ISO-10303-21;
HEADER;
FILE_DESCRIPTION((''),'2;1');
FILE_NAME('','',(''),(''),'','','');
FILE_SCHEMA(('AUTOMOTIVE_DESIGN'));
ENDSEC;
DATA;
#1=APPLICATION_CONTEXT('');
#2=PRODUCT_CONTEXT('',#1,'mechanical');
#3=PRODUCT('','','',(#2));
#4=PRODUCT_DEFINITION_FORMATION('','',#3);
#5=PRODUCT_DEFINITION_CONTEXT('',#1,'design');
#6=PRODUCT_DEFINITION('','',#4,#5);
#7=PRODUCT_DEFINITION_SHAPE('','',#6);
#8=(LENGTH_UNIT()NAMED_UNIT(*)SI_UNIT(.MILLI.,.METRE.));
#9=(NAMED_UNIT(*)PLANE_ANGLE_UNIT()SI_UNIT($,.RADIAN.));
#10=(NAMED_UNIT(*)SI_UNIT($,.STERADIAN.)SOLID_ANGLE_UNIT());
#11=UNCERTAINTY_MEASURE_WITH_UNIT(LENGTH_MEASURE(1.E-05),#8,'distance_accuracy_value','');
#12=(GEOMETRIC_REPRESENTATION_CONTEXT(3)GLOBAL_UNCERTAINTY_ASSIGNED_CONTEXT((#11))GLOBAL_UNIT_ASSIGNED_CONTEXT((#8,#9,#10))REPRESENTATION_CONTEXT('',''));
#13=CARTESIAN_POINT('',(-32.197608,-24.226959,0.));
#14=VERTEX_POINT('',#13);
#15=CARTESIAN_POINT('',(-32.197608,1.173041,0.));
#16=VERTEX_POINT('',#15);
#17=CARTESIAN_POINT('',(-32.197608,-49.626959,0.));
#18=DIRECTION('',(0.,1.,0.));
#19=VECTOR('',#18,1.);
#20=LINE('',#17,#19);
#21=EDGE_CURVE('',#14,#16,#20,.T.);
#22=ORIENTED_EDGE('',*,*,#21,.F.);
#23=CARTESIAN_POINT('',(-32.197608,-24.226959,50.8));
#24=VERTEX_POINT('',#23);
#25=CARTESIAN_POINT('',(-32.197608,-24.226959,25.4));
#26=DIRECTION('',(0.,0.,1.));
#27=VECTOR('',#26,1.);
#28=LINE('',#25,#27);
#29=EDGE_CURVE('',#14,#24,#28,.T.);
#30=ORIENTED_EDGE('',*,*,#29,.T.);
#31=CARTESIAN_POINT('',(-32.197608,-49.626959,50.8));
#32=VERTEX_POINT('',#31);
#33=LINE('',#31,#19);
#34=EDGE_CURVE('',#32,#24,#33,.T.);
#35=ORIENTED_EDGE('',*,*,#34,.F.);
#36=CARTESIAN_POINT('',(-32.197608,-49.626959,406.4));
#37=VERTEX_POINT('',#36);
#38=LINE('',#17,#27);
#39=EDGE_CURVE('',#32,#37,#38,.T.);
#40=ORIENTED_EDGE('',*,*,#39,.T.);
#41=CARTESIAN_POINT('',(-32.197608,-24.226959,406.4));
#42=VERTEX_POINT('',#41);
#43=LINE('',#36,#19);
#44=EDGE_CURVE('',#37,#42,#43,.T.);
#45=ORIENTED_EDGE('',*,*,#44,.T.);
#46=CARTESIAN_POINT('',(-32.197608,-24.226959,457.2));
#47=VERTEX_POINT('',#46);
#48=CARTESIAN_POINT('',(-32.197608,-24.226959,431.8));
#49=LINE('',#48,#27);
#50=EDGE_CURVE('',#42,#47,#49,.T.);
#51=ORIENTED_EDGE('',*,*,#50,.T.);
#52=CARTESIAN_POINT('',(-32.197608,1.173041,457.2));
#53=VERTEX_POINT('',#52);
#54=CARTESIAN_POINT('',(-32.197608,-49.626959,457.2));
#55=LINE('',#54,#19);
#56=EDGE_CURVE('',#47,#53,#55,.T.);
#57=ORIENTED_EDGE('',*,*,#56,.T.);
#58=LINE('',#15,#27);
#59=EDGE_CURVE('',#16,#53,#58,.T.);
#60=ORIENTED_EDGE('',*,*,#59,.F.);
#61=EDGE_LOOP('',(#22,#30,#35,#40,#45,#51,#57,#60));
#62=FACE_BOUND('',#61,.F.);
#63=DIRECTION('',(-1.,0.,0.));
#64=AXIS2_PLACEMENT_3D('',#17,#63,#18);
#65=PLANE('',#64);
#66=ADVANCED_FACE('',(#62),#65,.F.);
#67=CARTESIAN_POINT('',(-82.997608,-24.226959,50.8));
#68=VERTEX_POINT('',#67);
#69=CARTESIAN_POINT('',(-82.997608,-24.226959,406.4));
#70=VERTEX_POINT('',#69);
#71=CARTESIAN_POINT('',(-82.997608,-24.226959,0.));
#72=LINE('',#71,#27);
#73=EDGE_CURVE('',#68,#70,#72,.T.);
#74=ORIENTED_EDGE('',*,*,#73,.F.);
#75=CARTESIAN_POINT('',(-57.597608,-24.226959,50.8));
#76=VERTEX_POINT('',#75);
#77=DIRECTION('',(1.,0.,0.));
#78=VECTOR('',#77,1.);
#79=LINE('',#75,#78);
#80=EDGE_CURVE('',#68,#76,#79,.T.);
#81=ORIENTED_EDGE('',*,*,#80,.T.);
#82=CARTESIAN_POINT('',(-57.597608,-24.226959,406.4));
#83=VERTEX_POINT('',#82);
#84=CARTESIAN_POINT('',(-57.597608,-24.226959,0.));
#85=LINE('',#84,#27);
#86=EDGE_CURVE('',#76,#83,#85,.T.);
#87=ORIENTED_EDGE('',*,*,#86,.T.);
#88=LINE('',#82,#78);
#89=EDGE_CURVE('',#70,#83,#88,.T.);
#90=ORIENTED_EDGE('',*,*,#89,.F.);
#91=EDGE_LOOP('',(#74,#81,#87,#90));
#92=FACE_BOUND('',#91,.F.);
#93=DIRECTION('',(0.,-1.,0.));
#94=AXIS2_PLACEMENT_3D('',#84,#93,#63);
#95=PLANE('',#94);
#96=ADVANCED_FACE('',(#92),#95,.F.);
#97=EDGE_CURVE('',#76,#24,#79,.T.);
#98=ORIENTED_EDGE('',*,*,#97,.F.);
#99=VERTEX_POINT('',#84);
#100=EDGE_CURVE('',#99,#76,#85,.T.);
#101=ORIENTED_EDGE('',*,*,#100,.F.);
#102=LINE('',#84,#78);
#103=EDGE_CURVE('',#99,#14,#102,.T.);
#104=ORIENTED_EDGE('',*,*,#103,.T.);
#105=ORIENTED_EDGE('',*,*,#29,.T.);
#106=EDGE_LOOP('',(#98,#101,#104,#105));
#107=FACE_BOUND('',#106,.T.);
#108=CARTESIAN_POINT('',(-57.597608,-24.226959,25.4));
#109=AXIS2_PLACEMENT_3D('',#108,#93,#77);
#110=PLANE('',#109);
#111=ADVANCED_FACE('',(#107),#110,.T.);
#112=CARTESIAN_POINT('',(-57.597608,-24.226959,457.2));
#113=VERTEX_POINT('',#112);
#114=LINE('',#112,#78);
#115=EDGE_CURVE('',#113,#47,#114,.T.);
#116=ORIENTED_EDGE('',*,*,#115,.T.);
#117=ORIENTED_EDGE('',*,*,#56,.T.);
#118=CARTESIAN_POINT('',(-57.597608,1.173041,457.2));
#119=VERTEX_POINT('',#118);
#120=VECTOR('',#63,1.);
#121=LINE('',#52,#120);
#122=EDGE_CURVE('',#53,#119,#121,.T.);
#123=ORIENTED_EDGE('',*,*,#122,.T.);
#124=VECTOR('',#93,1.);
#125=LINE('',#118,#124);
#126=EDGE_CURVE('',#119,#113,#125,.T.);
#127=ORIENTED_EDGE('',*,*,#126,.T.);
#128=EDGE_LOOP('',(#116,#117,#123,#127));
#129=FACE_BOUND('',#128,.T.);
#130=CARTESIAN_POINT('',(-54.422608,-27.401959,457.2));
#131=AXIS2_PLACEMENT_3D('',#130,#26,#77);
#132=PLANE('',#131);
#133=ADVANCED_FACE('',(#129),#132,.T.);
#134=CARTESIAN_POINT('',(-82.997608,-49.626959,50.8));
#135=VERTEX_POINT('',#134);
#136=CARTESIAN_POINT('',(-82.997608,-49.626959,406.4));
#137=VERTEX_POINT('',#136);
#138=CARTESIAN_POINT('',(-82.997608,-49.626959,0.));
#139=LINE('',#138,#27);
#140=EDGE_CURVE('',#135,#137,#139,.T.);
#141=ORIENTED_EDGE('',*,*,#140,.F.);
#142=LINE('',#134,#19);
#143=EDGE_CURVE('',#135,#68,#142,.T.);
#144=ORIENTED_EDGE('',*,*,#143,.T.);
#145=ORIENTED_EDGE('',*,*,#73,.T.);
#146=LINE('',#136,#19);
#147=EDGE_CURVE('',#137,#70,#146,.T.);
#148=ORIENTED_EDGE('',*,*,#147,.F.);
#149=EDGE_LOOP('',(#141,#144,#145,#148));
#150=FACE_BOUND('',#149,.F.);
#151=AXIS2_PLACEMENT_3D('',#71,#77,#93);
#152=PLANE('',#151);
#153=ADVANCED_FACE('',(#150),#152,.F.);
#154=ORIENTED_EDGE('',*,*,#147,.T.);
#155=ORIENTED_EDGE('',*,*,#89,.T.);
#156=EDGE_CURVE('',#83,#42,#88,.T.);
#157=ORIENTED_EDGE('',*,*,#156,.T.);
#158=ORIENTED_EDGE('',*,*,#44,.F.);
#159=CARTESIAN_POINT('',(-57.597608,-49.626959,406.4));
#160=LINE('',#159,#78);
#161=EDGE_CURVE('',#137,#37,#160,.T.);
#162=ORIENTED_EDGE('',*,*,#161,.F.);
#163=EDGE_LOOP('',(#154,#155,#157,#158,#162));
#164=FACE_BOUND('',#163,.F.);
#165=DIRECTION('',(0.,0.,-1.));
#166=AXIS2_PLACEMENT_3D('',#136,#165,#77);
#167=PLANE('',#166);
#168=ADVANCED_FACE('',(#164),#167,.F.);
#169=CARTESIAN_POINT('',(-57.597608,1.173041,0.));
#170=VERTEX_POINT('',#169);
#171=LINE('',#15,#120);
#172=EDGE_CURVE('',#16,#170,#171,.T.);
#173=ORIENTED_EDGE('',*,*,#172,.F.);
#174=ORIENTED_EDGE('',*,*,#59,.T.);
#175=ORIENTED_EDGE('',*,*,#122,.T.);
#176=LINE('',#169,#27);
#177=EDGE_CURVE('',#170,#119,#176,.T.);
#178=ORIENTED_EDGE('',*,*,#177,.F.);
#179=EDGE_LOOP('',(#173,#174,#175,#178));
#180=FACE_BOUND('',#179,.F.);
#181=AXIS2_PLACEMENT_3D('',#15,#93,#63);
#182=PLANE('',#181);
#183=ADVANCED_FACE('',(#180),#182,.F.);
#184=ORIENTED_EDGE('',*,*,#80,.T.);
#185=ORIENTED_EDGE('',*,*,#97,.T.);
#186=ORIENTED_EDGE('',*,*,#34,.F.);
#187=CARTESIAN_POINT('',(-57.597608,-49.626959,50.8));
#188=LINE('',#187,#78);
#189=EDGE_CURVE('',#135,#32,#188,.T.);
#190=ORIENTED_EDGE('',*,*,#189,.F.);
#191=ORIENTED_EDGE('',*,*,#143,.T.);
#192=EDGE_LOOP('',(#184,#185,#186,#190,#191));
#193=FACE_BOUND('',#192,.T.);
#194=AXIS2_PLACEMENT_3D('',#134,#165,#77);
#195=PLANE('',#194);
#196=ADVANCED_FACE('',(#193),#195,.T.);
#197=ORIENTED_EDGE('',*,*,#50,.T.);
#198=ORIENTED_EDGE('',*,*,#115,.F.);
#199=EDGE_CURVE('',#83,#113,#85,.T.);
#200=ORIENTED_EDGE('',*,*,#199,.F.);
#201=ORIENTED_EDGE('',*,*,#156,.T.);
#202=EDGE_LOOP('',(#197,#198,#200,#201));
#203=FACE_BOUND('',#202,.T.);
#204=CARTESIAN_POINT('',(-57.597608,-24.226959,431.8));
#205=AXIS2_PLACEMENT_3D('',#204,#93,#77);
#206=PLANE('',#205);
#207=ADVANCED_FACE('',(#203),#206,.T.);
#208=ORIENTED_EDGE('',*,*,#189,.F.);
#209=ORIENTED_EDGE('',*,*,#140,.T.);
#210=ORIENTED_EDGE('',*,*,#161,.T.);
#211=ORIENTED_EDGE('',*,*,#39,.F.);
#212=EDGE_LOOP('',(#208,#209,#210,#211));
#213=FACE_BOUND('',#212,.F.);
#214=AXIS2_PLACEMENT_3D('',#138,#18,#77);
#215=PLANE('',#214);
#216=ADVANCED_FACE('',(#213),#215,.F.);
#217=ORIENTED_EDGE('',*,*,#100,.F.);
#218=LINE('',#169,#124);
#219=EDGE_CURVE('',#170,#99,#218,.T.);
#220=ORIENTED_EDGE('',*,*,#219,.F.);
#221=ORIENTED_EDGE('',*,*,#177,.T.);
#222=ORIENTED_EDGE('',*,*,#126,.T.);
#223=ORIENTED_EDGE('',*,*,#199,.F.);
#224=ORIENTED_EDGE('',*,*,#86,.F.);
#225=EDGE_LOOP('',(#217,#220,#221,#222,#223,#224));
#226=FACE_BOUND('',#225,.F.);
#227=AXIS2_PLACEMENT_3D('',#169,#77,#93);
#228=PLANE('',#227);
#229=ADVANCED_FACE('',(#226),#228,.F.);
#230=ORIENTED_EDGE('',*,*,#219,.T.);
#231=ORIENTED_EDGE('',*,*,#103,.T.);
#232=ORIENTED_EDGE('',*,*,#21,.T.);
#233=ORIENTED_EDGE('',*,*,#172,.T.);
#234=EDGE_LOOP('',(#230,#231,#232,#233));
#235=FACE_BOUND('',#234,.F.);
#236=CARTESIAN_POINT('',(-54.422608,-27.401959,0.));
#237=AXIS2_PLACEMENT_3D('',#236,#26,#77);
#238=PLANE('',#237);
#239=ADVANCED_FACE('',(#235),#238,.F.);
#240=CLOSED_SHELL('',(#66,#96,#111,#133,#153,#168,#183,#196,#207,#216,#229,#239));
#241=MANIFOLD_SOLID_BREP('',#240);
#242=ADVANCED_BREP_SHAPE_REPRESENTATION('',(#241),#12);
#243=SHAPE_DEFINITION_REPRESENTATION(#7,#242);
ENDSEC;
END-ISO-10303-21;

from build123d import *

# Parameters (mm, degrees)
F1_DEPTH = 457.2
F2_W     = 50.8
F2_H     = 50.8
F3_DEPTH = 25.4


with BuildPart() as f1:
    # F0 (on Top) → F1 (new body)
    with BuildSketch(Plane.XY):
        Polygon((-82.997608, -24.226959), (-82.997608, -49.626959), (-32.197608, -49.626959), (-32.197608, 1.173041), (-57.597608, 1.173041), (-57.597608, -24.226959), align=None)
    extrude(amount=F1_DEPTH)

    # F2 (on face) → F3 (cut)
    with BuildSketch(Plane.XZ.offset(49.626959)):
        with Locations((-57.597608, 431.8)):
            Rectangle(F2_W, F2_H)
        with Locations((-57.597608, 25.4)):
            Rectangle(F2_W, F2_H)
    extrude(amount=-F3_DEPTH, mode=Mode.SUBTRACT)


solid = f1.part
